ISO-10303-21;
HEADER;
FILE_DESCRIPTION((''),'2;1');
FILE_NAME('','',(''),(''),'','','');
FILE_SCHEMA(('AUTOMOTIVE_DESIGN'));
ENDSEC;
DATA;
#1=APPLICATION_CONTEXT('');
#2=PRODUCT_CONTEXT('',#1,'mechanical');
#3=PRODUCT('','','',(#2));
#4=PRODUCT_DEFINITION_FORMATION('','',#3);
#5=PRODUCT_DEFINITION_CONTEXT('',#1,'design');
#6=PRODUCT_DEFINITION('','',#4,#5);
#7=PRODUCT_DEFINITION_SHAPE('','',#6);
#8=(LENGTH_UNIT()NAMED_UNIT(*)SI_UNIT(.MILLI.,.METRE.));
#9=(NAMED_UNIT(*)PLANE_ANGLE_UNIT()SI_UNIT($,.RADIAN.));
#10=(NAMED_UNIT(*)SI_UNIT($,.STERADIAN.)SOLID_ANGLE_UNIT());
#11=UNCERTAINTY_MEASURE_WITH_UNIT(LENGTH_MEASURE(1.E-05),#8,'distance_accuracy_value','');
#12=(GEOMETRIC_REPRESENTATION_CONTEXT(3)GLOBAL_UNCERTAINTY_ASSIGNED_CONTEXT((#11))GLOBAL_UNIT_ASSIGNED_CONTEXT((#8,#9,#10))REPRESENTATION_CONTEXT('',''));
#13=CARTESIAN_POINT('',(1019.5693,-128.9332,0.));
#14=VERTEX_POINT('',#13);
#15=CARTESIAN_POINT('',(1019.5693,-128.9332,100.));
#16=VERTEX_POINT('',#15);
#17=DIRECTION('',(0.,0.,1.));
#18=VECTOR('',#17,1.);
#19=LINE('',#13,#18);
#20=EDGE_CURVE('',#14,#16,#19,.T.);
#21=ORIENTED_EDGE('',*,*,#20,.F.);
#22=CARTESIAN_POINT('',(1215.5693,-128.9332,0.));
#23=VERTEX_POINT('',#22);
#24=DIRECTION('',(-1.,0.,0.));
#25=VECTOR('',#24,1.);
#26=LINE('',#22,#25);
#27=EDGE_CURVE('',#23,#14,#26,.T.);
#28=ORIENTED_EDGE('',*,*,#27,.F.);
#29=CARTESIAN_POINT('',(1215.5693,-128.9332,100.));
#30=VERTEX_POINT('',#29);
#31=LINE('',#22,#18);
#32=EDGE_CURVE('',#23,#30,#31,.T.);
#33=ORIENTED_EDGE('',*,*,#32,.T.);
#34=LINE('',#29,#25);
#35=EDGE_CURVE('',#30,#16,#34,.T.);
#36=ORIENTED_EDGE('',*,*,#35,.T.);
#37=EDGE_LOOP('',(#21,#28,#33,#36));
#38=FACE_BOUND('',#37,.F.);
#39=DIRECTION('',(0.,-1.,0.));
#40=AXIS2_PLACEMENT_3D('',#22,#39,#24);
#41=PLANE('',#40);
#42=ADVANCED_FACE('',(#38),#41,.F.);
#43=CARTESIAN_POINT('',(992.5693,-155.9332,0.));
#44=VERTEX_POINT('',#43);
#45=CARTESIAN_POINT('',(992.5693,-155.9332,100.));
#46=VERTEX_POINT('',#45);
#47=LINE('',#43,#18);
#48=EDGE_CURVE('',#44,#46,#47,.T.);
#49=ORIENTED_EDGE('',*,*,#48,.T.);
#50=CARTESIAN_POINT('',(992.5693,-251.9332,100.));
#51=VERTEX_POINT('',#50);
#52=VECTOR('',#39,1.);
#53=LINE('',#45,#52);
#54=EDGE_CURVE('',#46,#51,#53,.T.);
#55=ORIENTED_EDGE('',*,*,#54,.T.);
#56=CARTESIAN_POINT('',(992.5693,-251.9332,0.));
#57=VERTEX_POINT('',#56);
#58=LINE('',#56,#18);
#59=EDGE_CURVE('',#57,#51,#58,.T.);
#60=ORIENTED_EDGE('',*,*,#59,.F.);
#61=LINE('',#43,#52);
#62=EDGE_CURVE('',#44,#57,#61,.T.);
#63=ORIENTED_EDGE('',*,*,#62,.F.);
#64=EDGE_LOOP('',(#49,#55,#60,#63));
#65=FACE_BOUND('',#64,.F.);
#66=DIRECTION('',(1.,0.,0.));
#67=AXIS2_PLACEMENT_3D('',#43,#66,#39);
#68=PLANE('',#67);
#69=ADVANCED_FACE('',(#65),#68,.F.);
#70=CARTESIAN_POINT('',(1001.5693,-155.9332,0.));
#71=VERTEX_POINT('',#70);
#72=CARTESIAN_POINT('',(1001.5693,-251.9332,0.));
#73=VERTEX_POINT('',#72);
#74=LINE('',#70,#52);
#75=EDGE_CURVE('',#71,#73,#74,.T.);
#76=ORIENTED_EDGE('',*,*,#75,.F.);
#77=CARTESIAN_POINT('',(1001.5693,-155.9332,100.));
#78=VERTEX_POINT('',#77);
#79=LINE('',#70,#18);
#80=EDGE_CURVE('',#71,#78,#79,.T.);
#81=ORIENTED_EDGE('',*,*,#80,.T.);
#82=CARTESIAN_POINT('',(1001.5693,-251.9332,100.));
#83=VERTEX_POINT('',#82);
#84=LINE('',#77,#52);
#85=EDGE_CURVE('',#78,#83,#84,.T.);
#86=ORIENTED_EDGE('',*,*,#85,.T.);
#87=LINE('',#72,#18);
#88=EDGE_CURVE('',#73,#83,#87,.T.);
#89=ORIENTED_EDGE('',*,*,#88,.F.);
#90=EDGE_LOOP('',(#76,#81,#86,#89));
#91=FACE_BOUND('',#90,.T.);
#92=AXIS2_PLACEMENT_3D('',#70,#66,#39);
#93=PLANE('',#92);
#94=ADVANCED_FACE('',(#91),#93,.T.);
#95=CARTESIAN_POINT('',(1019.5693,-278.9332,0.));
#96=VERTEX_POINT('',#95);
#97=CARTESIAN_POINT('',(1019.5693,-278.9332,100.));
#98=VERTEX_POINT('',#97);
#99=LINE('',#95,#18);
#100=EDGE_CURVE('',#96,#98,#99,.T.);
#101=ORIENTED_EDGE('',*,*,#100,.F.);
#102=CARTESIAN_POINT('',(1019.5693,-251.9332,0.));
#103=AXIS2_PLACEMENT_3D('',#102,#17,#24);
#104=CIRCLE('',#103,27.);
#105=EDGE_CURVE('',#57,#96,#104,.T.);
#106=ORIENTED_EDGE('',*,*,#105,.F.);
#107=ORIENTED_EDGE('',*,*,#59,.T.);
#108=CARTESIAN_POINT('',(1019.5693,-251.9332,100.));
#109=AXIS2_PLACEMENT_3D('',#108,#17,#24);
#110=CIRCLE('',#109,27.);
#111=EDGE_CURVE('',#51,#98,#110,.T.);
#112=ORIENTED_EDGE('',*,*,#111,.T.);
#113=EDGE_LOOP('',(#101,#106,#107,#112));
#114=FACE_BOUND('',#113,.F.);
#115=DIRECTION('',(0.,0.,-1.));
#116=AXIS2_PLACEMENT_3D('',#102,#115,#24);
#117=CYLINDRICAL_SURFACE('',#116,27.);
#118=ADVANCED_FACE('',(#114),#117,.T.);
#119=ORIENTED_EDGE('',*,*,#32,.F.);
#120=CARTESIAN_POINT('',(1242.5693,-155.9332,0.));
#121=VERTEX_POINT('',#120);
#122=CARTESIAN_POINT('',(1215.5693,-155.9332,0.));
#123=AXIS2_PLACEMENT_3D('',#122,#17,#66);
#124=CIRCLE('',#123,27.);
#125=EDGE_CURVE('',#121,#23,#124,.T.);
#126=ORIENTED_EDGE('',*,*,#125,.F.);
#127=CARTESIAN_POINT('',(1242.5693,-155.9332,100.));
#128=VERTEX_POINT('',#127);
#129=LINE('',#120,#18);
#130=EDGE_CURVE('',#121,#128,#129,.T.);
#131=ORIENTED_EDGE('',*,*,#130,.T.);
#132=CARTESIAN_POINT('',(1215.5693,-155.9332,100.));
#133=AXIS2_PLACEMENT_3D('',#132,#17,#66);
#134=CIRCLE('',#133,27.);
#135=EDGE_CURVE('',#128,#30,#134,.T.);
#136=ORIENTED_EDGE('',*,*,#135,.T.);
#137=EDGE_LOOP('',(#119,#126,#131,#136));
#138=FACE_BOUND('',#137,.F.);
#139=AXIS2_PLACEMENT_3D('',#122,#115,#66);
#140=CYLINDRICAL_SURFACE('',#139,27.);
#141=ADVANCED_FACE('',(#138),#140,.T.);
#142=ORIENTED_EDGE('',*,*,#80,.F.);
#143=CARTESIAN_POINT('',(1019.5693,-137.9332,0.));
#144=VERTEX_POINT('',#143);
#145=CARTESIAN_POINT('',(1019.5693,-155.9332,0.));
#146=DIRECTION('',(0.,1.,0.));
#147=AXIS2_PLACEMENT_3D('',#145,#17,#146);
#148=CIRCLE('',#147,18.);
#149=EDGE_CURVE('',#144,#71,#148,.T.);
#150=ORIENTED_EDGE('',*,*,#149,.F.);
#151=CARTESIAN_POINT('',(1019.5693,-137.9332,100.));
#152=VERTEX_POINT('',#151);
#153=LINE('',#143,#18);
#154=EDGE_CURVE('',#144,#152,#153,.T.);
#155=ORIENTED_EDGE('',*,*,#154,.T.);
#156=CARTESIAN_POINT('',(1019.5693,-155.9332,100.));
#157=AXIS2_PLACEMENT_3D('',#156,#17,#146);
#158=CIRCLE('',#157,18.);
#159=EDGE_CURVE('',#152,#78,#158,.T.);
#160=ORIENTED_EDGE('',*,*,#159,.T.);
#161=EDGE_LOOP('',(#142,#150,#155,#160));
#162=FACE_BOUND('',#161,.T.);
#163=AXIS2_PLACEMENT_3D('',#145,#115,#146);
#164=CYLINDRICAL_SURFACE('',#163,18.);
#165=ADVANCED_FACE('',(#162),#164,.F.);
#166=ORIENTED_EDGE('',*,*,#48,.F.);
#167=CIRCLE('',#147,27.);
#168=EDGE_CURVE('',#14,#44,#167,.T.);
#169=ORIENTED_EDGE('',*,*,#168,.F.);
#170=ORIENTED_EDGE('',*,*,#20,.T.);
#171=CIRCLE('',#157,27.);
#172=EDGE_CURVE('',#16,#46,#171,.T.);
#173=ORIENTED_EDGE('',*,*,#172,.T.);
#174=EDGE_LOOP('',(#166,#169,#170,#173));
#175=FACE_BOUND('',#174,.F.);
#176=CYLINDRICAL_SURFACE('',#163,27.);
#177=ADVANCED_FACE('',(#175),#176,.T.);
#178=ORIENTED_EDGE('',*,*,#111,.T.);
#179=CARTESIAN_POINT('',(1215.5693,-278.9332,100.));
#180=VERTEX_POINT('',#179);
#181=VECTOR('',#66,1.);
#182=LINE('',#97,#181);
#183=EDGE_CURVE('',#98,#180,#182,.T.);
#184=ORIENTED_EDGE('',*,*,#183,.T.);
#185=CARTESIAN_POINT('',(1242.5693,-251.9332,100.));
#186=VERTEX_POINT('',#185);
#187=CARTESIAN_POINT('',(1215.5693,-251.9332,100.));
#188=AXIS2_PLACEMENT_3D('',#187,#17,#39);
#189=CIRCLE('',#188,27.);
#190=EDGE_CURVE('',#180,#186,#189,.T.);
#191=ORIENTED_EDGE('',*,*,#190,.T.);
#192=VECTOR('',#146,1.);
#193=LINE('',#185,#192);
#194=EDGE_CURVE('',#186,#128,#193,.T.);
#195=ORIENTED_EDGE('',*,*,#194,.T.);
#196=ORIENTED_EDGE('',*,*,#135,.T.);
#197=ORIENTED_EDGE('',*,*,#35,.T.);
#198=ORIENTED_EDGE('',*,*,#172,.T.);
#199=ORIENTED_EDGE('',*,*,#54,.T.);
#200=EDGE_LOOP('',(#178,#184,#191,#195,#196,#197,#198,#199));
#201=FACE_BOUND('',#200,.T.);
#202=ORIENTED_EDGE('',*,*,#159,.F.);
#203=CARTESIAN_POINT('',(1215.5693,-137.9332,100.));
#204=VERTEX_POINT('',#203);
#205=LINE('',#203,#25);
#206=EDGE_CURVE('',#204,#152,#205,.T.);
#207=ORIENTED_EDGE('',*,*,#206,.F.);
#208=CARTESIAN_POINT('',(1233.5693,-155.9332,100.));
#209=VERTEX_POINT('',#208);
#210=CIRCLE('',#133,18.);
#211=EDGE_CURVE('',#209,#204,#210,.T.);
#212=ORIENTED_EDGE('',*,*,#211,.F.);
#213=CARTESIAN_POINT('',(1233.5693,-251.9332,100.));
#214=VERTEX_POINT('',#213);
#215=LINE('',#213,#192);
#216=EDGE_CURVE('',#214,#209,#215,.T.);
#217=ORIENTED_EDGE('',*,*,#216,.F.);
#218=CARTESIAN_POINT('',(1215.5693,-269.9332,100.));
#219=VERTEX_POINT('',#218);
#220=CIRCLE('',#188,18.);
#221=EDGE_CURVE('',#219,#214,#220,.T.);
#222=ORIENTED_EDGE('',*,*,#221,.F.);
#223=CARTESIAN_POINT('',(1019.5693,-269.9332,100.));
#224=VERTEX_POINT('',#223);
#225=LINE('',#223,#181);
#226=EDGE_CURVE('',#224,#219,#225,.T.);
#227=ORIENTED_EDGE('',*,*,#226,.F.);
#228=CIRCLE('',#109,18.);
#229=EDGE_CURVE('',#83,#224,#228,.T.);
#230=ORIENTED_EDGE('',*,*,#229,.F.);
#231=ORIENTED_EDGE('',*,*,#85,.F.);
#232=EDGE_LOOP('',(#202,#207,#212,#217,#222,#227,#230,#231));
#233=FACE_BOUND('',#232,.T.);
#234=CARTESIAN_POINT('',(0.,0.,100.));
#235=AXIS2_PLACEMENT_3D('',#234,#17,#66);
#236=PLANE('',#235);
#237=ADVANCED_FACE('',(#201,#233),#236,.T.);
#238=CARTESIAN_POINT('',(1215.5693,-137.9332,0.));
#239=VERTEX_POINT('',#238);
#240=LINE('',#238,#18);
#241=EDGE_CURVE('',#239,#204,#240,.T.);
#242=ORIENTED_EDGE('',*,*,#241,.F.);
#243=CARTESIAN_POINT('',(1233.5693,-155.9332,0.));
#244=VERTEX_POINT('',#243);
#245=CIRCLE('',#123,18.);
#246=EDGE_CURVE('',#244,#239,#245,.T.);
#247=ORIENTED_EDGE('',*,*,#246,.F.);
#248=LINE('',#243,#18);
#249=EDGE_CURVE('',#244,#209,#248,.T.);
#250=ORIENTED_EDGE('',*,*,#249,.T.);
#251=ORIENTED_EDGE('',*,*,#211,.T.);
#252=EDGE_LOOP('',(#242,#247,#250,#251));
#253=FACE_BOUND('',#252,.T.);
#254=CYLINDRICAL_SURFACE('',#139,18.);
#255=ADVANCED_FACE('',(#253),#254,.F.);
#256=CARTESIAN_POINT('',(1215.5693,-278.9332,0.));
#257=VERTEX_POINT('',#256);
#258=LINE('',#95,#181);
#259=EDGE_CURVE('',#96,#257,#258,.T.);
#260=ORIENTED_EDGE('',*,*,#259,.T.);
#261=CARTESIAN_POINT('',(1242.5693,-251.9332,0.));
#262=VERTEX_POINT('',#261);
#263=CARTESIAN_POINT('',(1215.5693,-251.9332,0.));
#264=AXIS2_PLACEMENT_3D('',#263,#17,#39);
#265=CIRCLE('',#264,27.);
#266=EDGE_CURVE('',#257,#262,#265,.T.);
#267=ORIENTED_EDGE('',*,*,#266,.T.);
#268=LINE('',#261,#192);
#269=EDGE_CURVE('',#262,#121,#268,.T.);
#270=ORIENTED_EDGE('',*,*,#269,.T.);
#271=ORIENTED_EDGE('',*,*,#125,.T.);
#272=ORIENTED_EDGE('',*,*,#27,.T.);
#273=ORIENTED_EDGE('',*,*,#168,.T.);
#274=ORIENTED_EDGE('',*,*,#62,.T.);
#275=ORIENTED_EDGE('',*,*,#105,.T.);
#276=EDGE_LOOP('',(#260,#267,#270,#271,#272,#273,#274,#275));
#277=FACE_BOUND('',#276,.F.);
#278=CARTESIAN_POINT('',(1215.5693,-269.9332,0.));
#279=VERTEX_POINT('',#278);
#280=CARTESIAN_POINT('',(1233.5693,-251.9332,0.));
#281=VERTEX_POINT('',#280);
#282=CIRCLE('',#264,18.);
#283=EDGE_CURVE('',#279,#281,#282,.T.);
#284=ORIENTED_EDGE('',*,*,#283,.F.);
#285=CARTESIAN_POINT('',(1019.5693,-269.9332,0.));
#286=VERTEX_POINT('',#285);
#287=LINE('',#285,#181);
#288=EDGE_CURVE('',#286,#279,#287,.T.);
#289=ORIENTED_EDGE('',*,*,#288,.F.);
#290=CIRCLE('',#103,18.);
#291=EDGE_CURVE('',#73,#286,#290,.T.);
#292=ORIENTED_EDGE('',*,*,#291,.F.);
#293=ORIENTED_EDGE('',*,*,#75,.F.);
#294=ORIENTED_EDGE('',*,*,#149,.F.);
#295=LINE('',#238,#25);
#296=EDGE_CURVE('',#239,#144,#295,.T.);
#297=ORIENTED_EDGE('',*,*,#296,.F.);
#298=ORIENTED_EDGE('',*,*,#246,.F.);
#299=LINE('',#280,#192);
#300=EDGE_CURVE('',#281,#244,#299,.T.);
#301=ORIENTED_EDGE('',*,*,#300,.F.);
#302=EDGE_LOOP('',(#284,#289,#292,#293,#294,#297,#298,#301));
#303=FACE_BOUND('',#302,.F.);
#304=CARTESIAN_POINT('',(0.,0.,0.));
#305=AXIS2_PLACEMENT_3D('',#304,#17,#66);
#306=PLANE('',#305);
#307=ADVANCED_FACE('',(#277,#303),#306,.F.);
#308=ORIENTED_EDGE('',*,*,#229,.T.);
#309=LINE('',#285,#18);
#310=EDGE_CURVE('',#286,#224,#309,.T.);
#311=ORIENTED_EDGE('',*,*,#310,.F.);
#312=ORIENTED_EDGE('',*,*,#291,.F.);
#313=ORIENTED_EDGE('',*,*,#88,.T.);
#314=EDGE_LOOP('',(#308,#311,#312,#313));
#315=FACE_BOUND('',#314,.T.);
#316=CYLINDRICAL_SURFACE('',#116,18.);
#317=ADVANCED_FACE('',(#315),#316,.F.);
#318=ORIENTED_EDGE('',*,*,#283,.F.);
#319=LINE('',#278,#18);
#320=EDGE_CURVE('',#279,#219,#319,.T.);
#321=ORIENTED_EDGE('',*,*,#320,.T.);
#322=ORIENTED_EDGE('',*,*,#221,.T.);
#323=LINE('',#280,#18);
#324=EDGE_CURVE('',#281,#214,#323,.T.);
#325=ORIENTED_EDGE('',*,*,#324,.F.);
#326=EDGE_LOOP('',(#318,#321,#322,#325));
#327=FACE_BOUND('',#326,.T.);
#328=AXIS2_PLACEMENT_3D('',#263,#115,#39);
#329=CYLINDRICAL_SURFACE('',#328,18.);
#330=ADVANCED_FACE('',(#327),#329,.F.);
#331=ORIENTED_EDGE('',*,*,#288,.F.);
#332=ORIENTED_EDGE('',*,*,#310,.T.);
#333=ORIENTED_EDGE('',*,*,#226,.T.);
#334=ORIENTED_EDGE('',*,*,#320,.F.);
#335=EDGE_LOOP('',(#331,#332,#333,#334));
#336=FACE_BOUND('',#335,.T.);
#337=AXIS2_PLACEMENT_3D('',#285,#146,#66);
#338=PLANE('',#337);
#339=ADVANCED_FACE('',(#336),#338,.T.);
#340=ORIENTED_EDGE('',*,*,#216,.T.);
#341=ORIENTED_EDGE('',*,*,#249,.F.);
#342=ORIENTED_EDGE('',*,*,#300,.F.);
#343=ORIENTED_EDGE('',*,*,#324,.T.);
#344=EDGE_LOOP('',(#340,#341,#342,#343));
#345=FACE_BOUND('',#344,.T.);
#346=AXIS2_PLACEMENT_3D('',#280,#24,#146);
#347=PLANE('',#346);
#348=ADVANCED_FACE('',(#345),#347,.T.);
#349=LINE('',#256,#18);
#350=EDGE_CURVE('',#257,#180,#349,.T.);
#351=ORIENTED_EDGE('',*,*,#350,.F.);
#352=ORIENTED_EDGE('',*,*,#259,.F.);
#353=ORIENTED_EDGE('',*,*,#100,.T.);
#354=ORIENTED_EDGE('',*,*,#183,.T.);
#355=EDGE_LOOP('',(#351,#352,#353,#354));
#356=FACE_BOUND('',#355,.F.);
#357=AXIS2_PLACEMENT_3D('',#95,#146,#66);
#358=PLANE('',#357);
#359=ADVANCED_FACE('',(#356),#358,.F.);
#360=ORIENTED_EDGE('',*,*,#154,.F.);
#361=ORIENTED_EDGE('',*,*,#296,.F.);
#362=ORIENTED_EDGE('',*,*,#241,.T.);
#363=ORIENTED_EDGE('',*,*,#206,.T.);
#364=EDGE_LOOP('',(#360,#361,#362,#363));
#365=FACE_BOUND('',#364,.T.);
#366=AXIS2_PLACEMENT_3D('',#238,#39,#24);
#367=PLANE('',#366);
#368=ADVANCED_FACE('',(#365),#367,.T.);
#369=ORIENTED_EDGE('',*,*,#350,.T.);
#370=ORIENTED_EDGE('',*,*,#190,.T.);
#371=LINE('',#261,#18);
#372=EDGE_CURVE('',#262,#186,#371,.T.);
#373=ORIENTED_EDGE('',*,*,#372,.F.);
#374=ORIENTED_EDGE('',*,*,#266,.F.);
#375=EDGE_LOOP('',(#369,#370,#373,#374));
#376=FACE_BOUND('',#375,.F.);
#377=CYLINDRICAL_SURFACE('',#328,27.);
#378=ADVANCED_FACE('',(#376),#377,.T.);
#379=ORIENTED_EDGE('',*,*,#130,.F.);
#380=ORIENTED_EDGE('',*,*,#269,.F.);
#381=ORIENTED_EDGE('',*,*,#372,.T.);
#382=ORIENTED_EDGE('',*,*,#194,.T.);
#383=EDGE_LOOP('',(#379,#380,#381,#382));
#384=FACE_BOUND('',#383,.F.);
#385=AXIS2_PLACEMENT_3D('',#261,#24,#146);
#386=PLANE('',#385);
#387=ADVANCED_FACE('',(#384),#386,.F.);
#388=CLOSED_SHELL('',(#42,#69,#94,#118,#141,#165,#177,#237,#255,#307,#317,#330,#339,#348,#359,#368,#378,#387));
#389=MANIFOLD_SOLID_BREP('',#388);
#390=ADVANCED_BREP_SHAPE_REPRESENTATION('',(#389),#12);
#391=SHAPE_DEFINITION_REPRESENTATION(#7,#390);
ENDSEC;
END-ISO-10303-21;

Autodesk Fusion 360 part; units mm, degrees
sketch "スケッチ1" plane through (0, 0, 0) normal (0, 0, 1) x (1, 0, 0)
  line L0 (1019.5693, -278.9332) -> (1215.5693, -278.9332)
  line L1 (1019.5693, -269.9332) -> (1215.5693, -269.9332)
  line L2 (1215.5693, -128.9332) -> (1019.5693, -128.9332)
  line L3 (1215.5693, -137.9332) -> (1019.5693, -137.9332)
  arc A0 (992.5693, -251.9332) -> (1019.5693, -278.9332) centre (1019.5693, -251.9332) ccw
  arc A1 (1001.5693, -251.9332) -> (1019.5693, -269.9332) centre (1019.5693, -251.9332) ccw
  line L4 (992.5693, -155.9332) -> (992.5693, -251.9332)
  line L5 (1001.5693, -155.9332) -> (1001.5693, -251.9332)
  arc A2 (1019.5693, -128.9332) -> (992.5693, -155.9332) centre (1019.5693, -155.9332) ccw
  arc A3 (1019.5693, -137.9332) -> (1001.5693, -155.9332) centre (1019.5693, -155.9332) ccw
  arc A4 (1215.5693, -278.9332) -> (1242.5693, -251.9332) centre (1215.5693, -251.9332) ccw
  arc A5 (1215.5693, -269.9332) -> (1233.5693, -251.9332) centre (1215.5693, -251.9332) ccw
  line L6 (1242.5693, -251.9332) -> (1242.5693, -155.9332)
  line L7 (1233.5693, -251.9332) -> (1233.5693, -155.9332)
  arc A6 (1242.5693, -155.9332) -> (1215.5693, -128.9332) centre (1215.5693, -155.9332) ccw
  arc A7 (1233.5693, -155.9332) -> (1215.5693, -137.9332) centre (1215.5693, -155.9332) ccw
  point P0 (1117.5693, -203.9332)
extrude "押し出し1" add sketch "スケッチ1" along normal blind 100
